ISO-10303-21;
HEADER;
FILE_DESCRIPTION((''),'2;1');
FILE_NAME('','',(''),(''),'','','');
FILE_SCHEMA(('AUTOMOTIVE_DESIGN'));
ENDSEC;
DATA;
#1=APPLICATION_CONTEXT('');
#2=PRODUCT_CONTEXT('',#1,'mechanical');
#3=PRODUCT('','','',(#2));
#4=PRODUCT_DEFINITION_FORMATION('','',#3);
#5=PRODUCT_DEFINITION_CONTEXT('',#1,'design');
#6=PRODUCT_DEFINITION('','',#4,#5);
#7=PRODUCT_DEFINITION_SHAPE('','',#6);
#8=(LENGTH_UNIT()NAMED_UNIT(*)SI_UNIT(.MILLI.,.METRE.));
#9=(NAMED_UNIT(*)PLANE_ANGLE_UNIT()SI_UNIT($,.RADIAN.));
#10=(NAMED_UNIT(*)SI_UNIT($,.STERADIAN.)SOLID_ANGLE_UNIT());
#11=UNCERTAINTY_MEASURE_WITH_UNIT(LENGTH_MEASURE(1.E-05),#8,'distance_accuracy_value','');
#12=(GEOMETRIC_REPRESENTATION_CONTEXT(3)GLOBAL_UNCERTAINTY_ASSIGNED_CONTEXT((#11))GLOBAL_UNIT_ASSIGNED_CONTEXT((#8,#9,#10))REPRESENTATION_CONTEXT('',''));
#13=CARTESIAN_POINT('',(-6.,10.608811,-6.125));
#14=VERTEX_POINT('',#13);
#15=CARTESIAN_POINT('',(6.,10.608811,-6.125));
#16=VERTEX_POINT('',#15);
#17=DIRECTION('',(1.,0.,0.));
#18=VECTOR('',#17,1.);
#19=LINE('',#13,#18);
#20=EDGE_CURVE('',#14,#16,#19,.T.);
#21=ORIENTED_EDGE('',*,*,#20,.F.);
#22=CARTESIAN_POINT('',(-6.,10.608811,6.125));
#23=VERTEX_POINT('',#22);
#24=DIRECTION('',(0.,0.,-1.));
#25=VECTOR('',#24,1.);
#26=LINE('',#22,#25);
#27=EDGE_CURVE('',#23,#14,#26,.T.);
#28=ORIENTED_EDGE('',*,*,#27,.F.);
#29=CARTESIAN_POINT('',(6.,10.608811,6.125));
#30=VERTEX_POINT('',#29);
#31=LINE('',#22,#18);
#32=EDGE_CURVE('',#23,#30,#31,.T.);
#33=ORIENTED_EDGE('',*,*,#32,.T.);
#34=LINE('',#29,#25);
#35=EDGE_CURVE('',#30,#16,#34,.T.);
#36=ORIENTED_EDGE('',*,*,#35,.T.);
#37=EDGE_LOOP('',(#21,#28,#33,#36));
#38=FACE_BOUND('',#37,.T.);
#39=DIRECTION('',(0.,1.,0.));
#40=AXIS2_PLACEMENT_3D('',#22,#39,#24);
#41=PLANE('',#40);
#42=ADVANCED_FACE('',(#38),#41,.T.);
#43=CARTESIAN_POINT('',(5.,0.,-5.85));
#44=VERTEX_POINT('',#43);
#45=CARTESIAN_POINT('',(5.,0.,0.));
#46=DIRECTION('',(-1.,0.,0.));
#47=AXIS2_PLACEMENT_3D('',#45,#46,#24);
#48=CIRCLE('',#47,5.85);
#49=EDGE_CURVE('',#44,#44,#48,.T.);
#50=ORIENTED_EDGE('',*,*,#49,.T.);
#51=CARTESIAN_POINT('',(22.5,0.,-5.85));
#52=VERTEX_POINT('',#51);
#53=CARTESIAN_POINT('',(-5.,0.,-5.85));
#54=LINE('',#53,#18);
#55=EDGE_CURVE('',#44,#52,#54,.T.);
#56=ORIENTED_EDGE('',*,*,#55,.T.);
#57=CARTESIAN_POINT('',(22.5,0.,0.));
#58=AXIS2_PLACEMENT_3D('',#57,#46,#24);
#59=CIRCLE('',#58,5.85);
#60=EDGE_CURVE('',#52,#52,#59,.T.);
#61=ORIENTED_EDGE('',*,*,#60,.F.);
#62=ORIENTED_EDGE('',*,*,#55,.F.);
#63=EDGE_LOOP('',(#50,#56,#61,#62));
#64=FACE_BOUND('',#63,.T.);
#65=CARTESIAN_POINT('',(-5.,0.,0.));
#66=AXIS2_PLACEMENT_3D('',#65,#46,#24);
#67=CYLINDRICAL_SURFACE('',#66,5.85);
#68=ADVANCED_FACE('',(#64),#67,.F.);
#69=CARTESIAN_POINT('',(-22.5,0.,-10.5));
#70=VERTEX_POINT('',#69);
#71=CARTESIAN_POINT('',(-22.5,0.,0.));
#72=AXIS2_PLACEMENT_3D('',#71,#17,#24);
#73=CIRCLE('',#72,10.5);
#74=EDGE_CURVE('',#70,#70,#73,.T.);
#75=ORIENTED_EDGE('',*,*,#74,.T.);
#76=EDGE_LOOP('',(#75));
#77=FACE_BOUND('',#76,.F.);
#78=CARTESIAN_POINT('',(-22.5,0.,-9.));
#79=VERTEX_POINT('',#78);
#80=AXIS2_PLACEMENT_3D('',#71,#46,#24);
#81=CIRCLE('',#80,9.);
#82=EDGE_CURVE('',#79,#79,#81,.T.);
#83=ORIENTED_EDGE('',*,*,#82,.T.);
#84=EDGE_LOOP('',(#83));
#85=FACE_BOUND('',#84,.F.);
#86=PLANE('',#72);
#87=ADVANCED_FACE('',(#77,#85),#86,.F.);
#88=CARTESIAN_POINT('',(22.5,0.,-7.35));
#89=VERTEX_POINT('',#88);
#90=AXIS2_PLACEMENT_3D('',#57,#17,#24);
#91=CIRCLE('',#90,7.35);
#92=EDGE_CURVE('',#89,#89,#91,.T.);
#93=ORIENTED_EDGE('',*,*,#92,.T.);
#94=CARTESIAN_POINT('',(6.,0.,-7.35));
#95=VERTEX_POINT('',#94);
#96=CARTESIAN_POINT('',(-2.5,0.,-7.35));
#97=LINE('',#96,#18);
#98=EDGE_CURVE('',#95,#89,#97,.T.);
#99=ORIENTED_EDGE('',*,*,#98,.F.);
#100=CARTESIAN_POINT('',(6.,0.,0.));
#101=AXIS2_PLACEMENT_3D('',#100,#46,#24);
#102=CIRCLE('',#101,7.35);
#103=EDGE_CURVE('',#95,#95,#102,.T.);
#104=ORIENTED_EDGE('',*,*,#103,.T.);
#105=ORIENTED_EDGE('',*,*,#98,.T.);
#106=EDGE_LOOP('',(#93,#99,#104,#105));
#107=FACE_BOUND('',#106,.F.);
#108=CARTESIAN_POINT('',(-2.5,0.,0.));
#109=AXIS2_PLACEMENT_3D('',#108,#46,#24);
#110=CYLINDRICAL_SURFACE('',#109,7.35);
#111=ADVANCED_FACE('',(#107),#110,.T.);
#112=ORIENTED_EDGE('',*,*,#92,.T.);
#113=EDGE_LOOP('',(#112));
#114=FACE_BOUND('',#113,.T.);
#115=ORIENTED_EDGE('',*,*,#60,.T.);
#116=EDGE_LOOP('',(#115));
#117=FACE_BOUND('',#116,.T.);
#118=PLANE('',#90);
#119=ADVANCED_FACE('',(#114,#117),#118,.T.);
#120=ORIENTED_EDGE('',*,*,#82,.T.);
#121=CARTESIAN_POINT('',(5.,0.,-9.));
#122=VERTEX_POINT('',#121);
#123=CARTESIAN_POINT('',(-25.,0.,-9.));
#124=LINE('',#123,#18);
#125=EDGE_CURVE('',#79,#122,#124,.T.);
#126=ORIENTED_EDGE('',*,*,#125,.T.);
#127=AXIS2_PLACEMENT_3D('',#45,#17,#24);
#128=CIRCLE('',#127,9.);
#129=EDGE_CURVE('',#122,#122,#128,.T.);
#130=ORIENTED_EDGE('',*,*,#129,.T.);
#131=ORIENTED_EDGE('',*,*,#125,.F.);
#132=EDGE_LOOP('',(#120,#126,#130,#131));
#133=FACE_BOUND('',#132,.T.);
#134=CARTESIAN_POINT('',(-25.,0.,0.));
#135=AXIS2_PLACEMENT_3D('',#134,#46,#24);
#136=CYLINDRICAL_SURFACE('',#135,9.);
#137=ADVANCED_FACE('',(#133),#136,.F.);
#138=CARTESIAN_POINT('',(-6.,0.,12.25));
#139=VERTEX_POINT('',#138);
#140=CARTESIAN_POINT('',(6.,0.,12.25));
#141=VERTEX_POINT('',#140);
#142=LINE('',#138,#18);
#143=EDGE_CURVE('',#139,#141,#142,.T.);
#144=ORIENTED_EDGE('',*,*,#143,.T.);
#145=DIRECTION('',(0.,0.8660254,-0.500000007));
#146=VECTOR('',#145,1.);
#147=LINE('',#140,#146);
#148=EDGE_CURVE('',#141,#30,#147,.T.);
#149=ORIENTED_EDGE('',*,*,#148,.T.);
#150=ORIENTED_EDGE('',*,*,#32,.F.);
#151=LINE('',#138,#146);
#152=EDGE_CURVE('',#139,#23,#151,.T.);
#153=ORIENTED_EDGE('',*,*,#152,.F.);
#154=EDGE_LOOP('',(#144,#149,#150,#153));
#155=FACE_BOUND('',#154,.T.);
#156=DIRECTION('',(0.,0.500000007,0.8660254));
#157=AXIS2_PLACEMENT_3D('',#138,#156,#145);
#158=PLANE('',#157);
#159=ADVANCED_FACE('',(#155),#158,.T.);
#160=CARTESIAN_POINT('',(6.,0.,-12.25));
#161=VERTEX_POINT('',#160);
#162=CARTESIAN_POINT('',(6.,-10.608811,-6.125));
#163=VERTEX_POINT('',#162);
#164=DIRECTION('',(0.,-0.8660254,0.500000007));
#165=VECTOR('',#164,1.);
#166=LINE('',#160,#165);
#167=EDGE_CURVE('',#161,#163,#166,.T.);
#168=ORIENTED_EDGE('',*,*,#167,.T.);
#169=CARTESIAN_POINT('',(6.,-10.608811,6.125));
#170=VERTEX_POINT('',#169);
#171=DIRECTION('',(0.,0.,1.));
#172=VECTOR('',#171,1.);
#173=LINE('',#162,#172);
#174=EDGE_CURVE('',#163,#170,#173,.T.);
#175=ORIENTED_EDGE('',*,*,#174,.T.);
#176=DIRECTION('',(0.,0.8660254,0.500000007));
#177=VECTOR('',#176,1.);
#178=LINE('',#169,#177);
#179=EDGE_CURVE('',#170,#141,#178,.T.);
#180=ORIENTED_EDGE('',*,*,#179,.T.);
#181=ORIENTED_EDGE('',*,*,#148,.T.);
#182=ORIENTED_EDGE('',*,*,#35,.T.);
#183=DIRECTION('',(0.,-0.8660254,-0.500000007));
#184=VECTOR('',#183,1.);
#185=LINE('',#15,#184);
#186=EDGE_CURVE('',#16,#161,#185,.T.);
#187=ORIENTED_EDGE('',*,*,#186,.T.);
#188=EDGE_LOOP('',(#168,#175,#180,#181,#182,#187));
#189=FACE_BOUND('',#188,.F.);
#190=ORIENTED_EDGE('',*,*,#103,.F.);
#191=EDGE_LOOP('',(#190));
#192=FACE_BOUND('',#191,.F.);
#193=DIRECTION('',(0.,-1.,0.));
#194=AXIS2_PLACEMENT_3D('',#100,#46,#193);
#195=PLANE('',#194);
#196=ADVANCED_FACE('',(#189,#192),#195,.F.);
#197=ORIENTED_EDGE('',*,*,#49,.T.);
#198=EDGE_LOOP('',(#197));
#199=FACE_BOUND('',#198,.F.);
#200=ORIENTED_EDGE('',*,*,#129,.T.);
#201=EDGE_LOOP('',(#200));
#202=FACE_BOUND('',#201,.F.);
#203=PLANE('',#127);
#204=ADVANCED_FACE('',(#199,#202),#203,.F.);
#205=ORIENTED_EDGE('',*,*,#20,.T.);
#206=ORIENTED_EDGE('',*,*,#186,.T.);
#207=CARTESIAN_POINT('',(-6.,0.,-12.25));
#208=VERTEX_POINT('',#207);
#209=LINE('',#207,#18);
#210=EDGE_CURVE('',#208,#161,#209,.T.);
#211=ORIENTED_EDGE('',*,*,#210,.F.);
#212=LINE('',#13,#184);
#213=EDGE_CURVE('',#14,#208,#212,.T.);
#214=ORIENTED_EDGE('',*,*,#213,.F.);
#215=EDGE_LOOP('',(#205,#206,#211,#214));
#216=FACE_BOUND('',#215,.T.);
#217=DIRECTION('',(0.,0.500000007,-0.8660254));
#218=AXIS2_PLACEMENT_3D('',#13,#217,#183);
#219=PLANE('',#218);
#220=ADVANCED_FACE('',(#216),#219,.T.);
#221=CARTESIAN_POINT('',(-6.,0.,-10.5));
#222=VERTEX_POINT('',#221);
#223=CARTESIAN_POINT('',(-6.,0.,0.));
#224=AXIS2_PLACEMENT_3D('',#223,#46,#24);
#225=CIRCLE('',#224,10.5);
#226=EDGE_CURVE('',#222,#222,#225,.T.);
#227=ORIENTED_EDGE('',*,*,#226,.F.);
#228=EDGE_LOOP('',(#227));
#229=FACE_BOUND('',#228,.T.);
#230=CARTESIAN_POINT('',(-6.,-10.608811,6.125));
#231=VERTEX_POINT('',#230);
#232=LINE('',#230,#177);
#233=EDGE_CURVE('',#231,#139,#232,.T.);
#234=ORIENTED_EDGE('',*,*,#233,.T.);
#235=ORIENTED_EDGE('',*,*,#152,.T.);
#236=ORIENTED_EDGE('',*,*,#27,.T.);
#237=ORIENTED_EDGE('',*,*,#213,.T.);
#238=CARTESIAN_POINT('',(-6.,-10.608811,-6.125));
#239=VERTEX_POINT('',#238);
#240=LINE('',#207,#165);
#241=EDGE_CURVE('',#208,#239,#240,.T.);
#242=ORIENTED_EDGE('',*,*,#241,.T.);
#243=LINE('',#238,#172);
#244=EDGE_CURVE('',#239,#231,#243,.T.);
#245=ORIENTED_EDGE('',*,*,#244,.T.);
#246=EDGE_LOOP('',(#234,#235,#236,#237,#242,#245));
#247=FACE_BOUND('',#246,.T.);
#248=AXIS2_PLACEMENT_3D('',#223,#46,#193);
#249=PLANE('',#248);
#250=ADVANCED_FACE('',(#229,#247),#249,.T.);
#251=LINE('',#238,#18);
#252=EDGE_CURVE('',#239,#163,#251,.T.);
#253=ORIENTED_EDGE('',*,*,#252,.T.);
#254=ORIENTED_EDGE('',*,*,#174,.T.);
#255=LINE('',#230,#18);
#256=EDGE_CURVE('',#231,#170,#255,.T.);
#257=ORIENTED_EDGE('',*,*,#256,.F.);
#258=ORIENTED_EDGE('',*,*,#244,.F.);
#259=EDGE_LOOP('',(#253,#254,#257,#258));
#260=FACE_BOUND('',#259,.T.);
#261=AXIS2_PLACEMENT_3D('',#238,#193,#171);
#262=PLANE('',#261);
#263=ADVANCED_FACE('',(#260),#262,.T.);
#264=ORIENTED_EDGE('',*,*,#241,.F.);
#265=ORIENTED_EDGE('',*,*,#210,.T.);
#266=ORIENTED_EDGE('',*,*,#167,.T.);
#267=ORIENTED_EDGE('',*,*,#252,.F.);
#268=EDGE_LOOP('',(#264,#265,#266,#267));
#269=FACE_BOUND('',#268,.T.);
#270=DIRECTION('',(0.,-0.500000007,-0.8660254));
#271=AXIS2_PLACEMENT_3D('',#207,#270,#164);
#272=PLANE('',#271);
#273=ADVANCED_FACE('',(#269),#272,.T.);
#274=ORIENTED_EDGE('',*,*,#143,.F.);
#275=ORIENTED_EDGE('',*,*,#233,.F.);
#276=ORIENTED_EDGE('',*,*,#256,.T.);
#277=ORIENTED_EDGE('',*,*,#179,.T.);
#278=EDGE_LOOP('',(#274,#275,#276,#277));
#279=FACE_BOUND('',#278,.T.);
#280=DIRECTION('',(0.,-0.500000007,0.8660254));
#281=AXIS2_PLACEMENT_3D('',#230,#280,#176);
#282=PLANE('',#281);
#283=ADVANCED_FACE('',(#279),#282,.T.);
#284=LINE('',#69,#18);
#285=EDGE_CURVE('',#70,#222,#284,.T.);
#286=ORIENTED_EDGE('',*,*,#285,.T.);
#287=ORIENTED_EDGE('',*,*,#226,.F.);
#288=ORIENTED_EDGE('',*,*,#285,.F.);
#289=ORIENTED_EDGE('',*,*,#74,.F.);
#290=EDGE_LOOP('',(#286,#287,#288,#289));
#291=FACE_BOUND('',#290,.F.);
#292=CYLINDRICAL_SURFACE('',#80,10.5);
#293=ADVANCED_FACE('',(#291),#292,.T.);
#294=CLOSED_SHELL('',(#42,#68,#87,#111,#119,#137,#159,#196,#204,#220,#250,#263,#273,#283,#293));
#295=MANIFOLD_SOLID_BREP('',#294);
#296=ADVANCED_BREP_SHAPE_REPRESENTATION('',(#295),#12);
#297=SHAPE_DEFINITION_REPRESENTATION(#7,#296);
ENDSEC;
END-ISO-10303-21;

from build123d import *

# Parameters (mm, degrees)
CYLINDER003_R          = 5.85
CYLINDER003_DEPTH      = 30
CYLINDER002_R          = 9
CYLINDER002_DEPTH      = 30
CYLINDER001_R          = 7.35
CYLINDER001_DEPTH      = 25
LINEAREXTRUDE_DEPTH    = 12
CYLINDER_R             = 10.5
CYLINDER_DEPTH         = 25
DIFFERENCE_PITCH_ANGLE = 90


with BuildPart() as cylinder003:
    # cylinder003 → cylinder003 (new body)
    with BuildSketch(Plane.XY.offset(-5)):
        Circle(CYLINDER003_R)
    extrude(amount=CYLINDER003_DEPTH)


with BuildPart() as group001:
    # cylinder002 → cylinder002 (new body)
    with BuildSketch(Plane.XY.offset(-25)):
        Circle(CYLINDER002_R)
    extrude(amount=CYLINDER002_DEPTH)

    # Group001: union cylinder003
    add(cylinder003.part)


with BuildPart() as cylinder001:
    # cylinder001 → cylinder001 (new body)
    with BuildSketch(Plane.XY.offset(-2.5)):
        Circle(CYLINDER001_R)
    extrude(amount=CYLINDER001_DEPTH)


with BuildPart() as linearextrude:
    # RefineLinearExtrude → LinearExtrude (new body)
    with BuildSketch(Plane(origin=(0, 0, 0), x_dir=(0, -1, 0), z_dir=(0, 0, -1))):
        Polygon((-10.608811, -6.125), (0, -12.25), (10.608811, -6.125), (10.608811, 6.125), (0, 12.25), (-10.608811, 6.125), align=None)
    extrude(amount=-LINEAREXTRUDE_DEPTH)


with BuildPart() as linearextrude_1:
    # LinearExtrude placement: moved
    add(linearextrude.part.moved(Location((0, 0, -6))))


with BuildPart() as difference:
    # cylinder → cylinder (new body)
    with BuildSketch(Plane.XY.offset(-22.5)):
        Circle(CYLINDER_R)
    extrude(amount=CYLINDER_DEPTH)

    # Group: union cylinder001, LinearExtrude
    add(cylinder001.part)
    add(linearextrude_1.part)

    # difference: cut Group001
    add(group001.part, mode=Mode.SUBTRACT)


with BuildPart() as difference_1:
    # difference pitch: moved
    add(difference.part.rotate(Axis((0, 0, 0), (0, 1, 0)), DIFFERENCE_PITCH_ANGLE))


with BuildPart() as difference_2:
    # difference placement: moved
    add(difference_1.part)


solid = difference_2.part
